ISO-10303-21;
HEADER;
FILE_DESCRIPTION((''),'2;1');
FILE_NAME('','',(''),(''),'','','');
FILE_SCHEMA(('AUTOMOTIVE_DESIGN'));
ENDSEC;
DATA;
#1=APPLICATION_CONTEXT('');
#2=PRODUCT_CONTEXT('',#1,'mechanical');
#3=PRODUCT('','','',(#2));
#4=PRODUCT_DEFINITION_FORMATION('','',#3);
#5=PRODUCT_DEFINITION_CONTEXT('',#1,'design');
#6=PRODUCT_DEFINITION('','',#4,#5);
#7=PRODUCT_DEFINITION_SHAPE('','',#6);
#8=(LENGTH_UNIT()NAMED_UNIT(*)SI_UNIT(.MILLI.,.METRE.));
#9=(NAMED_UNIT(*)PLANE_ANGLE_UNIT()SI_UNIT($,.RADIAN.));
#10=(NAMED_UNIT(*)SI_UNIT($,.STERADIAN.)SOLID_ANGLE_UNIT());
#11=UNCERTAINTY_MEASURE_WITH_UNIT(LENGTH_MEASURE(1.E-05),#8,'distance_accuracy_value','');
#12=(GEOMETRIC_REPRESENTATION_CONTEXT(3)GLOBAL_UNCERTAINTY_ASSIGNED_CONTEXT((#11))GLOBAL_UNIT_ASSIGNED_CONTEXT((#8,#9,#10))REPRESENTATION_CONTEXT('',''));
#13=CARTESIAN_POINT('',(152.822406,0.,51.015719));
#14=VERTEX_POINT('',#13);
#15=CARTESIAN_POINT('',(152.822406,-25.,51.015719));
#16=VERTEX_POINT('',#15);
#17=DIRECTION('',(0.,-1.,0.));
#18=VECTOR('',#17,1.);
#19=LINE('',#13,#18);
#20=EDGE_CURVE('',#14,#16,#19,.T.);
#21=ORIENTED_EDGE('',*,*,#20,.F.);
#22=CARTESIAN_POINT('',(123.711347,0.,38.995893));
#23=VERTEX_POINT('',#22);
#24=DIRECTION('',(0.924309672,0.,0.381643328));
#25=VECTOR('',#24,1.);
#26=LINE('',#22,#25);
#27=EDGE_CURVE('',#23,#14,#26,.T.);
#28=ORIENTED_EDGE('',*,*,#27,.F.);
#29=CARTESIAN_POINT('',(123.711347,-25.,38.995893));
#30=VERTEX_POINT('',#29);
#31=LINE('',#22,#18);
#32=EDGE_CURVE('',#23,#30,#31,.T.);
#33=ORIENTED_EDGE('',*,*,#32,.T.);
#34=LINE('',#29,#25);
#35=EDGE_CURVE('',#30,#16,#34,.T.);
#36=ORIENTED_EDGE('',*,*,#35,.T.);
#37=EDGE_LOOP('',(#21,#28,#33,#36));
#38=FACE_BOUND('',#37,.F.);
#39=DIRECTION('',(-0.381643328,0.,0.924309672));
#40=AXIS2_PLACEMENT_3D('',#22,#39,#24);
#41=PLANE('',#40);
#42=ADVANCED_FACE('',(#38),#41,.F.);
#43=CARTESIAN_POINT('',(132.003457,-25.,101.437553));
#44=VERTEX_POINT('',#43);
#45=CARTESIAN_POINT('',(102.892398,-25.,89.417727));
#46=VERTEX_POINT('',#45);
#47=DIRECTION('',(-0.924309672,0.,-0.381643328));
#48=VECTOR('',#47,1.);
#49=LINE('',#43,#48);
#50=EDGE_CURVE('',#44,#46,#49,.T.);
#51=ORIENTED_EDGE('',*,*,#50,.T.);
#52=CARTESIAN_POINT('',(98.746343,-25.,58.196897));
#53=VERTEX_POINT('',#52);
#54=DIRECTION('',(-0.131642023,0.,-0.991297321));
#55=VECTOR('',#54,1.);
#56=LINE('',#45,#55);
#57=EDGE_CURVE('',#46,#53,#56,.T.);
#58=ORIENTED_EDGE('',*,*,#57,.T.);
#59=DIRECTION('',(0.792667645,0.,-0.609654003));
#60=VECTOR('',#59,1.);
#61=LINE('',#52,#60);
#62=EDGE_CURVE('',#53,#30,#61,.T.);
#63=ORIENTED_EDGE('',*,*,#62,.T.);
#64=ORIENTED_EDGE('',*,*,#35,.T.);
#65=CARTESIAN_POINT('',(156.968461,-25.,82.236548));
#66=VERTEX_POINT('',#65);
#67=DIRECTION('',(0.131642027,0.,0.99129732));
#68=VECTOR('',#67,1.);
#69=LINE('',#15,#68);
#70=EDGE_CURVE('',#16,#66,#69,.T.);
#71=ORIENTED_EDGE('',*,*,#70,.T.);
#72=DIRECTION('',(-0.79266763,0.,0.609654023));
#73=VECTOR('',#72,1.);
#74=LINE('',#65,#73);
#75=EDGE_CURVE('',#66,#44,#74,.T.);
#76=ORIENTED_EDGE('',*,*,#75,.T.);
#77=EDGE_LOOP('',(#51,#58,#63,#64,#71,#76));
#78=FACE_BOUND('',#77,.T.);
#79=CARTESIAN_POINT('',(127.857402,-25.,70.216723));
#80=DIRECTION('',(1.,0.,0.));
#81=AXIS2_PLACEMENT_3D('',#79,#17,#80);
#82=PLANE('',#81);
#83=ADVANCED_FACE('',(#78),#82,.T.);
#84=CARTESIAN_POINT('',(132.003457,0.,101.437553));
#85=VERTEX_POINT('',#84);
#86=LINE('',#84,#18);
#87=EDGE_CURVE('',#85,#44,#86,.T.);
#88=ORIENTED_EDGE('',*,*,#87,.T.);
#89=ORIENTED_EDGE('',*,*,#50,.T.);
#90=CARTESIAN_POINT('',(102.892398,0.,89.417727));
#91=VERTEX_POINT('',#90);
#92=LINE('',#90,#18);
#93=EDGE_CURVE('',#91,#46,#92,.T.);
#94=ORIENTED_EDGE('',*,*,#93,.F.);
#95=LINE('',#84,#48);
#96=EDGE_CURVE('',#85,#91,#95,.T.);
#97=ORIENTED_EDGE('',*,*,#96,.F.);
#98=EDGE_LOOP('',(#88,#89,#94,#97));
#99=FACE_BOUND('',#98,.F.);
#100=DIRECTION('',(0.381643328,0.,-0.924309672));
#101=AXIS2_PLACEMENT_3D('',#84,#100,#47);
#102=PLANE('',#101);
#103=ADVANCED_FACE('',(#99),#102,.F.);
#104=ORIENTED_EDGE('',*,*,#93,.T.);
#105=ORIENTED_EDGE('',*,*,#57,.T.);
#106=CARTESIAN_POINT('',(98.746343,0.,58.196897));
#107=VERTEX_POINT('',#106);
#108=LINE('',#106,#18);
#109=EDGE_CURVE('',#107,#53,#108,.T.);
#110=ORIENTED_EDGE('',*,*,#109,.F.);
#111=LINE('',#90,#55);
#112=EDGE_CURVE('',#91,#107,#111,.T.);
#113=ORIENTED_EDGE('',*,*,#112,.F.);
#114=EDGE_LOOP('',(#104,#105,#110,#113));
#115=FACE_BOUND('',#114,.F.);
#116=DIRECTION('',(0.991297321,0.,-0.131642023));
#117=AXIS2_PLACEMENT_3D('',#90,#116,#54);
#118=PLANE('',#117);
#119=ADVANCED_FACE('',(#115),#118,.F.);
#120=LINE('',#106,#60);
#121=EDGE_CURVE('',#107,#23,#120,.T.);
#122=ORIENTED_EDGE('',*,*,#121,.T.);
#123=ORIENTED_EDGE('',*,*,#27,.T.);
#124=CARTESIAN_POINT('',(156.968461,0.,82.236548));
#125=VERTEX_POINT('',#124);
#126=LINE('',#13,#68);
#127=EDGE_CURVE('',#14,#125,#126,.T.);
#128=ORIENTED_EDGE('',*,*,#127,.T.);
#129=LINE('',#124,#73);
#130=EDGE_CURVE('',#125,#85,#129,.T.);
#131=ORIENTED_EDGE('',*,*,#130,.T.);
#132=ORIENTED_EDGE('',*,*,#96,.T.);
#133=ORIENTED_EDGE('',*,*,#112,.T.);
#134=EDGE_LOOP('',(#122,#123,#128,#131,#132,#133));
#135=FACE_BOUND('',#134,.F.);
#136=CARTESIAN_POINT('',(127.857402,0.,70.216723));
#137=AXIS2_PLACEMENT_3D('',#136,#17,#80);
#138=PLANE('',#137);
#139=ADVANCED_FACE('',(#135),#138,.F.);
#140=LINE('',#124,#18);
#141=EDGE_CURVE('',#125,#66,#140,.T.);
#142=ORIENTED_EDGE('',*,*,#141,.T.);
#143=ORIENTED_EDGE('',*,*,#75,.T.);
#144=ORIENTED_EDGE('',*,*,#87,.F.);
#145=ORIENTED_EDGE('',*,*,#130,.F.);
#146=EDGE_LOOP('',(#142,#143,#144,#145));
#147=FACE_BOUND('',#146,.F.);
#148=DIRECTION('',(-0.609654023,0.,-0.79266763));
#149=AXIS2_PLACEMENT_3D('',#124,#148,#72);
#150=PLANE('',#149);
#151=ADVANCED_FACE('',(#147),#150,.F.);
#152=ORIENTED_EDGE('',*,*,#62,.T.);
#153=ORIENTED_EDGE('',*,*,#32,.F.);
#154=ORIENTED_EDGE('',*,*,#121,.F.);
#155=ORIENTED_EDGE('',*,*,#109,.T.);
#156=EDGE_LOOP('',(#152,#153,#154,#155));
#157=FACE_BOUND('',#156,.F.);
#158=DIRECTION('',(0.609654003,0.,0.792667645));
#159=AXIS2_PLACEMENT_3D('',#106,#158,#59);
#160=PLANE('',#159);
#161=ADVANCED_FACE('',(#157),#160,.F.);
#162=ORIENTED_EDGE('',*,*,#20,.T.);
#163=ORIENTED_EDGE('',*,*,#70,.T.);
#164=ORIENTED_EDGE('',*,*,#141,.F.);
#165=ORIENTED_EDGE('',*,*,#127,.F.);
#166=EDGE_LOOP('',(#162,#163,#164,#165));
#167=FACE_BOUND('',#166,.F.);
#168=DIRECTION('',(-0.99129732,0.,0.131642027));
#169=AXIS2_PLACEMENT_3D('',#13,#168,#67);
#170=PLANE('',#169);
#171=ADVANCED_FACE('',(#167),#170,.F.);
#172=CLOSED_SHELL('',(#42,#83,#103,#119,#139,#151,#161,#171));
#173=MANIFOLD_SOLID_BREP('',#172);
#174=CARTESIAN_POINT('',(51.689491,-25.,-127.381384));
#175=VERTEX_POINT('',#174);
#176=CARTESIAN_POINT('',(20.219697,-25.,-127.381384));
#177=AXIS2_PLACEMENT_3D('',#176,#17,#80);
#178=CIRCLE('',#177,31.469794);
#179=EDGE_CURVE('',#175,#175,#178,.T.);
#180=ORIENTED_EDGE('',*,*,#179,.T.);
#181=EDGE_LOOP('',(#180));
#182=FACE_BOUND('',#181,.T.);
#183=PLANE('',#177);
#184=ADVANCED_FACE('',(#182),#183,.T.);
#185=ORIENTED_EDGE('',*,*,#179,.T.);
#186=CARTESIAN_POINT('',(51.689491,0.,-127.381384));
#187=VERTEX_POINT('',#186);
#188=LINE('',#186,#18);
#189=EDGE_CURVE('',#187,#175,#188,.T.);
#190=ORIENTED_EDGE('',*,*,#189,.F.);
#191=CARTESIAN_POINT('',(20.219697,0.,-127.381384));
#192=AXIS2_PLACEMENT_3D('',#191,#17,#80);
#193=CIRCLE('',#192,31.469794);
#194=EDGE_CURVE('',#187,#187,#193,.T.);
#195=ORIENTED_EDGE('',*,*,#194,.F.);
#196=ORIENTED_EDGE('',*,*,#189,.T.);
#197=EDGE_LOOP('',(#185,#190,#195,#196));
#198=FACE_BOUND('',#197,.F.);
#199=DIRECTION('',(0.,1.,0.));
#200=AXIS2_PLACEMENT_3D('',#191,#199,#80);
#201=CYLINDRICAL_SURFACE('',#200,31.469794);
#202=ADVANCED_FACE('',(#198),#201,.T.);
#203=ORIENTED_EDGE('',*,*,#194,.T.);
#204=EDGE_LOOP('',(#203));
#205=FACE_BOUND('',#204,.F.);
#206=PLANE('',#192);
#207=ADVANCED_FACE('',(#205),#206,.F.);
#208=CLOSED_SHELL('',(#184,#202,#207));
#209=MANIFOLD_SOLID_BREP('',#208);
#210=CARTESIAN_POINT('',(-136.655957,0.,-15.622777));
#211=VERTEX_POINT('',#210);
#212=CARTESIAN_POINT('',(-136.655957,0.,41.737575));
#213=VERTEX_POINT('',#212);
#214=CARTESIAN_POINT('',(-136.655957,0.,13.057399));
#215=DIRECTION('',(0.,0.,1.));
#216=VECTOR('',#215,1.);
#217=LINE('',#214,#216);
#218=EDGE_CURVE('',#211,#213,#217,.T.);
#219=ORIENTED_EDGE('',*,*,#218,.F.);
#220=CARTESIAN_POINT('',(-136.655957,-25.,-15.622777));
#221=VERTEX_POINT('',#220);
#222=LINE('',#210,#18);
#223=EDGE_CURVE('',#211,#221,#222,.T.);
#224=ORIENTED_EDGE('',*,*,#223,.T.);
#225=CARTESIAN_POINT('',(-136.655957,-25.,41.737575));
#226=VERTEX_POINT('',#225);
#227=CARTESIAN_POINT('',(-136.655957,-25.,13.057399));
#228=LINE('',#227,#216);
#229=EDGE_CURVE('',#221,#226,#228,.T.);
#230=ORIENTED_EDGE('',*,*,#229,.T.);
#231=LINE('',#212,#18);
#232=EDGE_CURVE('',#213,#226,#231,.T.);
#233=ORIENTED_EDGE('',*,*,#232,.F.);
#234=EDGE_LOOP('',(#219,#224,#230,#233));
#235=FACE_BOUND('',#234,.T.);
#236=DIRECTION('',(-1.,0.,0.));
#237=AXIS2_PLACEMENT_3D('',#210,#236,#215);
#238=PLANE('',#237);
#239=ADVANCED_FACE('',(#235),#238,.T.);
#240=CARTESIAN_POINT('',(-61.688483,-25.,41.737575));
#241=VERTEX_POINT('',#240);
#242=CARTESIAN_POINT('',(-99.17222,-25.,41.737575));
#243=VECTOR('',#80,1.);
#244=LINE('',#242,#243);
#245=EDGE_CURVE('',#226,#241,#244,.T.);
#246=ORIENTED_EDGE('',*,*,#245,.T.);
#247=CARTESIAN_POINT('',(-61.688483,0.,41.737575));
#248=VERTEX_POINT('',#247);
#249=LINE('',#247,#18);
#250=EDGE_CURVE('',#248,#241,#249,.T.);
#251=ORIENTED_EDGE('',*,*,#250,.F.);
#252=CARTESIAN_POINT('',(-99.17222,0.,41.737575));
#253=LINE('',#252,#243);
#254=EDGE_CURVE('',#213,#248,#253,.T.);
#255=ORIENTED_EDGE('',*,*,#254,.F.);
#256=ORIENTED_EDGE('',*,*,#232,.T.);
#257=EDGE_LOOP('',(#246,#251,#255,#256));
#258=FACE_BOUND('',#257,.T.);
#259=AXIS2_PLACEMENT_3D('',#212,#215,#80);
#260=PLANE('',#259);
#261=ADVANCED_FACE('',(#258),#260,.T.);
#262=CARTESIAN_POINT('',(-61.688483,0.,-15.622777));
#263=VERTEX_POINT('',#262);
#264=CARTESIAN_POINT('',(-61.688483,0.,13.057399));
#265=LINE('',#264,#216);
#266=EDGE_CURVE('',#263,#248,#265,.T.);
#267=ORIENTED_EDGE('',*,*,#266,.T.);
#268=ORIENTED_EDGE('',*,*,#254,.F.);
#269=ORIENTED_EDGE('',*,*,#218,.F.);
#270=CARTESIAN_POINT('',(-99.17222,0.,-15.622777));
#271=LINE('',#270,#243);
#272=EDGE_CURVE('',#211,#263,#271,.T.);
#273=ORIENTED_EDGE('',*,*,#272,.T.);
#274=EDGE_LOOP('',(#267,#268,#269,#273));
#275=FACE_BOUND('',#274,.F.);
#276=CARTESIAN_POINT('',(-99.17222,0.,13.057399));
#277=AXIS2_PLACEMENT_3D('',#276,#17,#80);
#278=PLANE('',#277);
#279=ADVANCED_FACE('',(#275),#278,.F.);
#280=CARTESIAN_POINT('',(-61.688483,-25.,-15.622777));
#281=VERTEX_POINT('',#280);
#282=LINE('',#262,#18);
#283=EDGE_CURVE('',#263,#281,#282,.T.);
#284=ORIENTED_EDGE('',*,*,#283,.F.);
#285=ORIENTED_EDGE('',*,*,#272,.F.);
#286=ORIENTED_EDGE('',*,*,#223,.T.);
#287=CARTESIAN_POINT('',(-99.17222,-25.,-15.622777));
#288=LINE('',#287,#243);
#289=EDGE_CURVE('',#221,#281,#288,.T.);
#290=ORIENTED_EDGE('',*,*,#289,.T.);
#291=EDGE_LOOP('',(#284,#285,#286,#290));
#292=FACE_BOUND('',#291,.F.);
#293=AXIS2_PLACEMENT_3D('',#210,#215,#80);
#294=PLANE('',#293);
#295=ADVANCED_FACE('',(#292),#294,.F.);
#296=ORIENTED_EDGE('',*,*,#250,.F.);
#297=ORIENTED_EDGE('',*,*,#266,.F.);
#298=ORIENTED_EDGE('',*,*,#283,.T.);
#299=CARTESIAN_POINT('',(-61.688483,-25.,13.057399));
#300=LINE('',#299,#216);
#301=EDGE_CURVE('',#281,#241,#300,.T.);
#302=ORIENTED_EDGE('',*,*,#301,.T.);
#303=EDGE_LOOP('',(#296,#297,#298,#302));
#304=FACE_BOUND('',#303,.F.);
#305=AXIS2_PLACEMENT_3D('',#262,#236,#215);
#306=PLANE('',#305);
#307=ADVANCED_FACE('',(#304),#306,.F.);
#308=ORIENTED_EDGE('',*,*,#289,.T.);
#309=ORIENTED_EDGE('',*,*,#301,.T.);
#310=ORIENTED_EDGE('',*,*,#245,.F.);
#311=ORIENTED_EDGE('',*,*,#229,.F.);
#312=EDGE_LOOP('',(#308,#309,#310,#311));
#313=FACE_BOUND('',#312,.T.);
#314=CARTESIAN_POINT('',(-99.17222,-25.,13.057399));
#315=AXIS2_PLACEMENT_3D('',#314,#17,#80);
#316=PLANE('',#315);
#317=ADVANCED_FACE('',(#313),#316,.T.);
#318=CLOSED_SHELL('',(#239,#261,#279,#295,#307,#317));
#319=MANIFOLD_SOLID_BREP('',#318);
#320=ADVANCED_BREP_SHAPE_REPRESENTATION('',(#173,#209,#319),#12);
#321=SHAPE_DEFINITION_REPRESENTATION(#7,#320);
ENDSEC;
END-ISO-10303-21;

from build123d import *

# Parameters (mm, degrees)
F0_W     = 74.967474
F0_H     = 57.360351
F1_DEPTH = 25
F2_R     = 31.469794
F3_DEPTH = 25
F5_DEPTH = 25


with BuildPart() as f1:
    # F0 (on Front) → F1 (new body)
    with BuildSketch(Plane.XZ):
        with Locations((-99.17222, 13.057399)):
            Rectangle(F0_W, F0_H)
    extrude(amount=F1_DEPTH)


with BuildPart() as f3:
    # F2 (on Front) → F3 (new body)
    with BuildSketch(Plane.XZ):
        with Locations((20.219697, -127.381384)):
            Circle(F2_R)
    extrude(amount=F3_DEPTH)


with BuildPart() as f5:
    # F4 (on Front) → F5 (new body)
    with BuildSketch(Plane.XZ):
        Polygon((132.003457, 101.437553), (102.892398, 89.417727), (98.746343, 58.196897), (123.711347, 38.995893), (152.822406, 51.015719), (156.968461, 82.236548), align=None)
    extrude(amount=F5_DEPTH)


solid = Compound([f1.part, f3.part, f5.part])
